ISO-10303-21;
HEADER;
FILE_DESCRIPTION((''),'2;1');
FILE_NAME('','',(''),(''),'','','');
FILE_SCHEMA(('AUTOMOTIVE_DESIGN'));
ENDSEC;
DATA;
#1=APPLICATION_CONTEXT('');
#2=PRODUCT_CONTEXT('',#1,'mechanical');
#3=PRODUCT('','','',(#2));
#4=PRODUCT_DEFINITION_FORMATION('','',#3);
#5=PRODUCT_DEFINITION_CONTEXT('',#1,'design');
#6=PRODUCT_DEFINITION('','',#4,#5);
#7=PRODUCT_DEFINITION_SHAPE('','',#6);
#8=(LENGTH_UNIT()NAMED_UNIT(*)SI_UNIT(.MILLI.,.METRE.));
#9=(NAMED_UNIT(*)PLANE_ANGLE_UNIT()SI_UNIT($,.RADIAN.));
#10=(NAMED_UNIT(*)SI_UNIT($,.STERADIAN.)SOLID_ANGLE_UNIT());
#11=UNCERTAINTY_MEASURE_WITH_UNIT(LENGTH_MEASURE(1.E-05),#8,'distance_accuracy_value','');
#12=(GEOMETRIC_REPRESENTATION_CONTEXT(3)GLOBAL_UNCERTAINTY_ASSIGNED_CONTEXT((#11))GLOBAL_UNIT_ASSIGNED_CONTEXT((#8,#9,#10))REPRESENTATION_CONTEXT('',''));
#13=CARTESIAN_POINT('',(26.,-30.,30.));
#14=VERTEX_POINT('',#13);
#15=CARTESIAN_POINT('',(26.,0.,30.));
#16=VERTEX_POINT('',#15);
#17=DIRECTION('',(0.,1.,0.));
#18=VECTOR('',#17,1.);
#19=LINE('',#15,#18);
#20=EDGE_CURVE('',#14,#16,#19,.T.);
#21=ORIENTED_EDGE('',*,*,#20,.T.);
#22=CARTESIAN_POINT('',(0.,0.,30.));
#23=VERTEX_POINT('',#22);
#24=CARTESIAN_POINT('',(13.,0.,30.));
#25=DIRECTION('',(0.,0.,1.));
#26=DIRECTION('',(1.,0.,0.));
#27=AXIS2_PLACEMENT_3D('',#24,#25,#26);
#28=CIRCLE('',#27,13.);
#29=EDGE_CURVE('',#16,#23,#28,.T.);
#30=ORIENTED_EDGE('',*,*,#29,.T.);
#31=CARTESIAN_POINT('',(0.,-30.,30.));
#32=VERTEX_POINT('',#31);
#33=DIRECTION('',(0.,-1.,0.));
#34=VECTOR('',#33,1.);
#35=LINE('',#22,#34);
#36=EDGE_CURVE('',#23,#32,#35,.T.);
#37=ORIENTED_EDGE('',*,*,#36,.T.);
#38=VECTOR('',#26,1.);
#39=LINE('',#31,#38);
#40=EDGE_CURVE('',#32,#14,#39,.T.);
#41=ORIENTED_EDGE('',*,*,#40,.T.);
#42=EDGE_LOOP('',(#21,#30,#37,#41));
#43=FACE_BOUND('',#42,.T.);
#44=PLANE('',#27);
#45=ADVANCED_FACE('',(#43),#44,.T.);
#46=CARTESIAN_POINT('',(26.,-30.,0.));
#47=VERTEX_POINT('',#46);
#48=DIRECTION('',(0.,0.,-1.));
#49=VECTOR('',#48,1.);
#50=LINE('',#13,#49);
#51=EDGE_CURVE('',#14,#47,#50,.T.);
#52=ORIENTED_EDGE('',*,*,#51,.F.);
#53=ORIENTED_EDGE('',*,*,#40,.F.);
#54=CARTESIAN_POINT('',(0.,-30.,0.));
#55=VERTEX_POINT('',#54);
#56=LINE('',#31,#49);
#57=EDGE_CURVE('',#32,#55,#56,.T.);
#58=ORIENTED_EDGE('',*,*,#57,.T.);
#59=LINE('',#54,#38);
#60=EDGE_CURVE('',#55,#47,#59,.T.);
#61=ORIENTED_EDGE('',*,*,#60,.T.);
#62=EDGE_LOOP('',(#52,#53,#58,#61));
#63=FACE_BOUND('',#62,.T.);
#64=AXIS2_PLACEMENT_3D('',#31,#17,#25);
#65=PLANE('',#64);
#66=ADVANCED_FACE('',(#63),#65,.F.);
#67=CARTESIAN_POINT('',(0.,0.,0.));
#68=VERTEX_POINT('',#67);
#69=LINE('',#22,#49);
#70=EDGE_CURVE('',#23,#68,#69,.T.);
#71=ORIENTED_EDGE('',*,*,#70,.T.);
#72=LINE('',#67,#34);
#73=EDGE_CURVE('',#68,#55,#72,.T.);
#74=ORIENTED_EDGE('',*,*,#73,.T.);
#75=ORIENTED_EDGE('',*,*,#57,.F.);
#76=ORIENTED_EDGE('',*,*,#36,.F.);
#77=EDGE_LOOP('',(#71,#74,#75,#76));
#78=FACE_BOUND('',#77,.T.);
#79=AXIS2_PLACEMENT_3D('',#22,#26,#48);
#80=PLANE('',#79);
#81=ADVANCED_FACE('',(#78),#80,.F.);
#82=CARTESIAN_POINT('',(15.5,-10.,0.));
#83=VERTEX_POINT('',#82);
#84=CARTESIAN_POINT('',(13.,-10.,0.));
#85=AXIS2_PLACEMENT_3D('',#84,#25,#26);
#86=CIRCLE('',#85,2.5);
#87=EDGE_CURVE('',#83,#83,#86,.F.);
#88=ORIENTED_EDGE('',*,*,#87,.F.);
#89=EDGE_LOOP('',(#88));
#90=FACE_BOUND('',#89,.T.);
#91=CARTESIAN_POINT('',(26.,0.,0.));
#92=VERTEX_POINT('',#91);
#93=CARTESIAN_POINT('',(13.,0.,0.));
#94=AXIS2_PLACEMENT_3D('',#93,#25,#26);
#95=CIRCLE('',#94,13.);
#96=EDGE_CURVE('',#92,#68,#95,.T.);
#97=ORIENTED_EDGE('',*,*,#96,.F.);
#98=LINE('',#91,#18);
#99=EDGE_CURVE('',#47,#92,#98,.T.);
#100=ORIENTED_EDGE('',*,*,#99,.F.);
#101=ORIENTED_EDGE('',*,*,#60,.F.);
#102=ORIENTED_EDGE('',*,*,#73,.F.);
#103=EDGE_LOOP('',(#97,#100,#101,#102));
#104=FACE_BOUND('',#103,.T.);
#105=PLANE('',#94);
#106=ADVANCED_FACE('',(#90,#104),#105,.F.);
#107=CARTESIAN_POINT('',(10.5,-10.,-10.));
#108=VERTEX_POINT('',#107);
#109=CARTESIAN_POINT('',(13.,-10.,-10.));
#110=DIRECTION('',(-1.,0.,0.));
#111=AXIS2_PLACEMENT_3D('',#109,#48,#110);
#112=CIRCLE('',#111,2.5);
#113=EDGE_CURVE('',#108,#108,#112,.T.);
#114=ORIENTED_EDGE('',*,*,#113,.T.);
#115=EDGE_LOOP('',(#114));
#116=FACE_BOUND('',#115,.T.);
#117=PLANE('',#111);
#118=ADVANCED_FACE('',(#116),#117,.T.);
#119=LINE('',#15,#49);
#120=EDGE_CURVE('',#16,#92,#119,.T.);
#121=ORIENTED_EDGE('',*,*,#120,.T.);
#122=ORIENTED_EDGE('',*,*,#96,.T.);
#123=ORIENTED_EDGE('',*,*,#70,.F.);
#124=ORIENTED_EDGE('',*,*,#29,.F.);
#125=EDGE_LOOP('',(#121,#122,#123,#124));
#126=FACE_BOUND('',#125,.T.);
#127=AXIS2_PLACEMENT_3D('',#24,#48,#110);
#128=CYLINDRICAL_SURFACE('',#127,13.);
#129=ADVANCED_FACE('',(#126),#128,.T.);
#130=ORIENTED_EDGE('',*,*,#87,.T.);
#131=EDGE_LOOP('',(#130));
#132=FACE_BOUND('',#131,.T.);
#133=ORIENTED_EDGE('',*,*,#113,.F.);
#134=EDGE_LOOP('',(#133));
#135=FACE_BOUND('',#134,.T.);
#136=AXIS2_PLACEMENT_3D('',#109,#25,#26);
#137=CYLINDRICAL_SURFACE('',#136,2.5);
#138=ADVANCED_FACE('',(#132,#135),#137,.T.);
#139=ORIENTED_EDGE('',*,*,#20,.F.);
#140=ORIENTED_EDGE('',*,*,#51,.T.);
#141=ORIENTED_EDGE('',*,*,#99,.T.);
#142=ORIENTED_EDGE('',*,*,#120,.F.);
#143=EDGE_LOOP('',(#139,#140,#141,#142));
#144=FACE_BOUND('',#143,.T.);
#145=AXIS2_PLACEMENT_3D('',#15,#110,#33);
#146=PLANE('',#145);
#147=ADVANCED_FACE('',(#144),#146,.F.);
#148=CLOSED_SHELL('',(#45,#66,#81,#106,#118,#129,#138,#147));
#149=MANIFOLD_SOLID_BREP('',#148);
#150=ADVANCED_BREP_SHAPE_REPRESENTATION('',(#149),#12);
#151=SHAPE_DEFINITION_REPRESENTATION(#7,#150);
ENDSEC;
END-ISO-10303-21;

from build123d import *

# Parameters (mm, degrees)
BOSS_EXTRUDE1_DEPTH = 30
SKETCH2_R           = 2.5
BOSS_EXTRUDE2_DEPTH = 10


with BuildPart() as part:
    # Sketch1 → Boss-Extrude1 (new body)
    with BuildSketch(Plane.XY):
        with BuildLine():
            Line((0, 0), (0, -30))
            Line((0, -30), (26, -30))
            Line((26, -30), (26, 0))
            ThreePointArc((26, 0), (13, 13), (0, 0))
        make_face()
    extrude(amount=BOSS_EXTRUDE1_DEPTH)

    # Sketch2 → Boss-Extrude2 (add)
    with BuildSketch(Plane(origin=(0, 0, 0), x_dir=(-1, 0, 0), z_dir=(0, 0, -1))):
        with Locations(Location((-13, -10, 0), (0, 0, 180))):
            Circle(SKETCH2_R)
    extrude(amount=BOSS_EXTRUDE2_DEPTH)


solid = part.part
